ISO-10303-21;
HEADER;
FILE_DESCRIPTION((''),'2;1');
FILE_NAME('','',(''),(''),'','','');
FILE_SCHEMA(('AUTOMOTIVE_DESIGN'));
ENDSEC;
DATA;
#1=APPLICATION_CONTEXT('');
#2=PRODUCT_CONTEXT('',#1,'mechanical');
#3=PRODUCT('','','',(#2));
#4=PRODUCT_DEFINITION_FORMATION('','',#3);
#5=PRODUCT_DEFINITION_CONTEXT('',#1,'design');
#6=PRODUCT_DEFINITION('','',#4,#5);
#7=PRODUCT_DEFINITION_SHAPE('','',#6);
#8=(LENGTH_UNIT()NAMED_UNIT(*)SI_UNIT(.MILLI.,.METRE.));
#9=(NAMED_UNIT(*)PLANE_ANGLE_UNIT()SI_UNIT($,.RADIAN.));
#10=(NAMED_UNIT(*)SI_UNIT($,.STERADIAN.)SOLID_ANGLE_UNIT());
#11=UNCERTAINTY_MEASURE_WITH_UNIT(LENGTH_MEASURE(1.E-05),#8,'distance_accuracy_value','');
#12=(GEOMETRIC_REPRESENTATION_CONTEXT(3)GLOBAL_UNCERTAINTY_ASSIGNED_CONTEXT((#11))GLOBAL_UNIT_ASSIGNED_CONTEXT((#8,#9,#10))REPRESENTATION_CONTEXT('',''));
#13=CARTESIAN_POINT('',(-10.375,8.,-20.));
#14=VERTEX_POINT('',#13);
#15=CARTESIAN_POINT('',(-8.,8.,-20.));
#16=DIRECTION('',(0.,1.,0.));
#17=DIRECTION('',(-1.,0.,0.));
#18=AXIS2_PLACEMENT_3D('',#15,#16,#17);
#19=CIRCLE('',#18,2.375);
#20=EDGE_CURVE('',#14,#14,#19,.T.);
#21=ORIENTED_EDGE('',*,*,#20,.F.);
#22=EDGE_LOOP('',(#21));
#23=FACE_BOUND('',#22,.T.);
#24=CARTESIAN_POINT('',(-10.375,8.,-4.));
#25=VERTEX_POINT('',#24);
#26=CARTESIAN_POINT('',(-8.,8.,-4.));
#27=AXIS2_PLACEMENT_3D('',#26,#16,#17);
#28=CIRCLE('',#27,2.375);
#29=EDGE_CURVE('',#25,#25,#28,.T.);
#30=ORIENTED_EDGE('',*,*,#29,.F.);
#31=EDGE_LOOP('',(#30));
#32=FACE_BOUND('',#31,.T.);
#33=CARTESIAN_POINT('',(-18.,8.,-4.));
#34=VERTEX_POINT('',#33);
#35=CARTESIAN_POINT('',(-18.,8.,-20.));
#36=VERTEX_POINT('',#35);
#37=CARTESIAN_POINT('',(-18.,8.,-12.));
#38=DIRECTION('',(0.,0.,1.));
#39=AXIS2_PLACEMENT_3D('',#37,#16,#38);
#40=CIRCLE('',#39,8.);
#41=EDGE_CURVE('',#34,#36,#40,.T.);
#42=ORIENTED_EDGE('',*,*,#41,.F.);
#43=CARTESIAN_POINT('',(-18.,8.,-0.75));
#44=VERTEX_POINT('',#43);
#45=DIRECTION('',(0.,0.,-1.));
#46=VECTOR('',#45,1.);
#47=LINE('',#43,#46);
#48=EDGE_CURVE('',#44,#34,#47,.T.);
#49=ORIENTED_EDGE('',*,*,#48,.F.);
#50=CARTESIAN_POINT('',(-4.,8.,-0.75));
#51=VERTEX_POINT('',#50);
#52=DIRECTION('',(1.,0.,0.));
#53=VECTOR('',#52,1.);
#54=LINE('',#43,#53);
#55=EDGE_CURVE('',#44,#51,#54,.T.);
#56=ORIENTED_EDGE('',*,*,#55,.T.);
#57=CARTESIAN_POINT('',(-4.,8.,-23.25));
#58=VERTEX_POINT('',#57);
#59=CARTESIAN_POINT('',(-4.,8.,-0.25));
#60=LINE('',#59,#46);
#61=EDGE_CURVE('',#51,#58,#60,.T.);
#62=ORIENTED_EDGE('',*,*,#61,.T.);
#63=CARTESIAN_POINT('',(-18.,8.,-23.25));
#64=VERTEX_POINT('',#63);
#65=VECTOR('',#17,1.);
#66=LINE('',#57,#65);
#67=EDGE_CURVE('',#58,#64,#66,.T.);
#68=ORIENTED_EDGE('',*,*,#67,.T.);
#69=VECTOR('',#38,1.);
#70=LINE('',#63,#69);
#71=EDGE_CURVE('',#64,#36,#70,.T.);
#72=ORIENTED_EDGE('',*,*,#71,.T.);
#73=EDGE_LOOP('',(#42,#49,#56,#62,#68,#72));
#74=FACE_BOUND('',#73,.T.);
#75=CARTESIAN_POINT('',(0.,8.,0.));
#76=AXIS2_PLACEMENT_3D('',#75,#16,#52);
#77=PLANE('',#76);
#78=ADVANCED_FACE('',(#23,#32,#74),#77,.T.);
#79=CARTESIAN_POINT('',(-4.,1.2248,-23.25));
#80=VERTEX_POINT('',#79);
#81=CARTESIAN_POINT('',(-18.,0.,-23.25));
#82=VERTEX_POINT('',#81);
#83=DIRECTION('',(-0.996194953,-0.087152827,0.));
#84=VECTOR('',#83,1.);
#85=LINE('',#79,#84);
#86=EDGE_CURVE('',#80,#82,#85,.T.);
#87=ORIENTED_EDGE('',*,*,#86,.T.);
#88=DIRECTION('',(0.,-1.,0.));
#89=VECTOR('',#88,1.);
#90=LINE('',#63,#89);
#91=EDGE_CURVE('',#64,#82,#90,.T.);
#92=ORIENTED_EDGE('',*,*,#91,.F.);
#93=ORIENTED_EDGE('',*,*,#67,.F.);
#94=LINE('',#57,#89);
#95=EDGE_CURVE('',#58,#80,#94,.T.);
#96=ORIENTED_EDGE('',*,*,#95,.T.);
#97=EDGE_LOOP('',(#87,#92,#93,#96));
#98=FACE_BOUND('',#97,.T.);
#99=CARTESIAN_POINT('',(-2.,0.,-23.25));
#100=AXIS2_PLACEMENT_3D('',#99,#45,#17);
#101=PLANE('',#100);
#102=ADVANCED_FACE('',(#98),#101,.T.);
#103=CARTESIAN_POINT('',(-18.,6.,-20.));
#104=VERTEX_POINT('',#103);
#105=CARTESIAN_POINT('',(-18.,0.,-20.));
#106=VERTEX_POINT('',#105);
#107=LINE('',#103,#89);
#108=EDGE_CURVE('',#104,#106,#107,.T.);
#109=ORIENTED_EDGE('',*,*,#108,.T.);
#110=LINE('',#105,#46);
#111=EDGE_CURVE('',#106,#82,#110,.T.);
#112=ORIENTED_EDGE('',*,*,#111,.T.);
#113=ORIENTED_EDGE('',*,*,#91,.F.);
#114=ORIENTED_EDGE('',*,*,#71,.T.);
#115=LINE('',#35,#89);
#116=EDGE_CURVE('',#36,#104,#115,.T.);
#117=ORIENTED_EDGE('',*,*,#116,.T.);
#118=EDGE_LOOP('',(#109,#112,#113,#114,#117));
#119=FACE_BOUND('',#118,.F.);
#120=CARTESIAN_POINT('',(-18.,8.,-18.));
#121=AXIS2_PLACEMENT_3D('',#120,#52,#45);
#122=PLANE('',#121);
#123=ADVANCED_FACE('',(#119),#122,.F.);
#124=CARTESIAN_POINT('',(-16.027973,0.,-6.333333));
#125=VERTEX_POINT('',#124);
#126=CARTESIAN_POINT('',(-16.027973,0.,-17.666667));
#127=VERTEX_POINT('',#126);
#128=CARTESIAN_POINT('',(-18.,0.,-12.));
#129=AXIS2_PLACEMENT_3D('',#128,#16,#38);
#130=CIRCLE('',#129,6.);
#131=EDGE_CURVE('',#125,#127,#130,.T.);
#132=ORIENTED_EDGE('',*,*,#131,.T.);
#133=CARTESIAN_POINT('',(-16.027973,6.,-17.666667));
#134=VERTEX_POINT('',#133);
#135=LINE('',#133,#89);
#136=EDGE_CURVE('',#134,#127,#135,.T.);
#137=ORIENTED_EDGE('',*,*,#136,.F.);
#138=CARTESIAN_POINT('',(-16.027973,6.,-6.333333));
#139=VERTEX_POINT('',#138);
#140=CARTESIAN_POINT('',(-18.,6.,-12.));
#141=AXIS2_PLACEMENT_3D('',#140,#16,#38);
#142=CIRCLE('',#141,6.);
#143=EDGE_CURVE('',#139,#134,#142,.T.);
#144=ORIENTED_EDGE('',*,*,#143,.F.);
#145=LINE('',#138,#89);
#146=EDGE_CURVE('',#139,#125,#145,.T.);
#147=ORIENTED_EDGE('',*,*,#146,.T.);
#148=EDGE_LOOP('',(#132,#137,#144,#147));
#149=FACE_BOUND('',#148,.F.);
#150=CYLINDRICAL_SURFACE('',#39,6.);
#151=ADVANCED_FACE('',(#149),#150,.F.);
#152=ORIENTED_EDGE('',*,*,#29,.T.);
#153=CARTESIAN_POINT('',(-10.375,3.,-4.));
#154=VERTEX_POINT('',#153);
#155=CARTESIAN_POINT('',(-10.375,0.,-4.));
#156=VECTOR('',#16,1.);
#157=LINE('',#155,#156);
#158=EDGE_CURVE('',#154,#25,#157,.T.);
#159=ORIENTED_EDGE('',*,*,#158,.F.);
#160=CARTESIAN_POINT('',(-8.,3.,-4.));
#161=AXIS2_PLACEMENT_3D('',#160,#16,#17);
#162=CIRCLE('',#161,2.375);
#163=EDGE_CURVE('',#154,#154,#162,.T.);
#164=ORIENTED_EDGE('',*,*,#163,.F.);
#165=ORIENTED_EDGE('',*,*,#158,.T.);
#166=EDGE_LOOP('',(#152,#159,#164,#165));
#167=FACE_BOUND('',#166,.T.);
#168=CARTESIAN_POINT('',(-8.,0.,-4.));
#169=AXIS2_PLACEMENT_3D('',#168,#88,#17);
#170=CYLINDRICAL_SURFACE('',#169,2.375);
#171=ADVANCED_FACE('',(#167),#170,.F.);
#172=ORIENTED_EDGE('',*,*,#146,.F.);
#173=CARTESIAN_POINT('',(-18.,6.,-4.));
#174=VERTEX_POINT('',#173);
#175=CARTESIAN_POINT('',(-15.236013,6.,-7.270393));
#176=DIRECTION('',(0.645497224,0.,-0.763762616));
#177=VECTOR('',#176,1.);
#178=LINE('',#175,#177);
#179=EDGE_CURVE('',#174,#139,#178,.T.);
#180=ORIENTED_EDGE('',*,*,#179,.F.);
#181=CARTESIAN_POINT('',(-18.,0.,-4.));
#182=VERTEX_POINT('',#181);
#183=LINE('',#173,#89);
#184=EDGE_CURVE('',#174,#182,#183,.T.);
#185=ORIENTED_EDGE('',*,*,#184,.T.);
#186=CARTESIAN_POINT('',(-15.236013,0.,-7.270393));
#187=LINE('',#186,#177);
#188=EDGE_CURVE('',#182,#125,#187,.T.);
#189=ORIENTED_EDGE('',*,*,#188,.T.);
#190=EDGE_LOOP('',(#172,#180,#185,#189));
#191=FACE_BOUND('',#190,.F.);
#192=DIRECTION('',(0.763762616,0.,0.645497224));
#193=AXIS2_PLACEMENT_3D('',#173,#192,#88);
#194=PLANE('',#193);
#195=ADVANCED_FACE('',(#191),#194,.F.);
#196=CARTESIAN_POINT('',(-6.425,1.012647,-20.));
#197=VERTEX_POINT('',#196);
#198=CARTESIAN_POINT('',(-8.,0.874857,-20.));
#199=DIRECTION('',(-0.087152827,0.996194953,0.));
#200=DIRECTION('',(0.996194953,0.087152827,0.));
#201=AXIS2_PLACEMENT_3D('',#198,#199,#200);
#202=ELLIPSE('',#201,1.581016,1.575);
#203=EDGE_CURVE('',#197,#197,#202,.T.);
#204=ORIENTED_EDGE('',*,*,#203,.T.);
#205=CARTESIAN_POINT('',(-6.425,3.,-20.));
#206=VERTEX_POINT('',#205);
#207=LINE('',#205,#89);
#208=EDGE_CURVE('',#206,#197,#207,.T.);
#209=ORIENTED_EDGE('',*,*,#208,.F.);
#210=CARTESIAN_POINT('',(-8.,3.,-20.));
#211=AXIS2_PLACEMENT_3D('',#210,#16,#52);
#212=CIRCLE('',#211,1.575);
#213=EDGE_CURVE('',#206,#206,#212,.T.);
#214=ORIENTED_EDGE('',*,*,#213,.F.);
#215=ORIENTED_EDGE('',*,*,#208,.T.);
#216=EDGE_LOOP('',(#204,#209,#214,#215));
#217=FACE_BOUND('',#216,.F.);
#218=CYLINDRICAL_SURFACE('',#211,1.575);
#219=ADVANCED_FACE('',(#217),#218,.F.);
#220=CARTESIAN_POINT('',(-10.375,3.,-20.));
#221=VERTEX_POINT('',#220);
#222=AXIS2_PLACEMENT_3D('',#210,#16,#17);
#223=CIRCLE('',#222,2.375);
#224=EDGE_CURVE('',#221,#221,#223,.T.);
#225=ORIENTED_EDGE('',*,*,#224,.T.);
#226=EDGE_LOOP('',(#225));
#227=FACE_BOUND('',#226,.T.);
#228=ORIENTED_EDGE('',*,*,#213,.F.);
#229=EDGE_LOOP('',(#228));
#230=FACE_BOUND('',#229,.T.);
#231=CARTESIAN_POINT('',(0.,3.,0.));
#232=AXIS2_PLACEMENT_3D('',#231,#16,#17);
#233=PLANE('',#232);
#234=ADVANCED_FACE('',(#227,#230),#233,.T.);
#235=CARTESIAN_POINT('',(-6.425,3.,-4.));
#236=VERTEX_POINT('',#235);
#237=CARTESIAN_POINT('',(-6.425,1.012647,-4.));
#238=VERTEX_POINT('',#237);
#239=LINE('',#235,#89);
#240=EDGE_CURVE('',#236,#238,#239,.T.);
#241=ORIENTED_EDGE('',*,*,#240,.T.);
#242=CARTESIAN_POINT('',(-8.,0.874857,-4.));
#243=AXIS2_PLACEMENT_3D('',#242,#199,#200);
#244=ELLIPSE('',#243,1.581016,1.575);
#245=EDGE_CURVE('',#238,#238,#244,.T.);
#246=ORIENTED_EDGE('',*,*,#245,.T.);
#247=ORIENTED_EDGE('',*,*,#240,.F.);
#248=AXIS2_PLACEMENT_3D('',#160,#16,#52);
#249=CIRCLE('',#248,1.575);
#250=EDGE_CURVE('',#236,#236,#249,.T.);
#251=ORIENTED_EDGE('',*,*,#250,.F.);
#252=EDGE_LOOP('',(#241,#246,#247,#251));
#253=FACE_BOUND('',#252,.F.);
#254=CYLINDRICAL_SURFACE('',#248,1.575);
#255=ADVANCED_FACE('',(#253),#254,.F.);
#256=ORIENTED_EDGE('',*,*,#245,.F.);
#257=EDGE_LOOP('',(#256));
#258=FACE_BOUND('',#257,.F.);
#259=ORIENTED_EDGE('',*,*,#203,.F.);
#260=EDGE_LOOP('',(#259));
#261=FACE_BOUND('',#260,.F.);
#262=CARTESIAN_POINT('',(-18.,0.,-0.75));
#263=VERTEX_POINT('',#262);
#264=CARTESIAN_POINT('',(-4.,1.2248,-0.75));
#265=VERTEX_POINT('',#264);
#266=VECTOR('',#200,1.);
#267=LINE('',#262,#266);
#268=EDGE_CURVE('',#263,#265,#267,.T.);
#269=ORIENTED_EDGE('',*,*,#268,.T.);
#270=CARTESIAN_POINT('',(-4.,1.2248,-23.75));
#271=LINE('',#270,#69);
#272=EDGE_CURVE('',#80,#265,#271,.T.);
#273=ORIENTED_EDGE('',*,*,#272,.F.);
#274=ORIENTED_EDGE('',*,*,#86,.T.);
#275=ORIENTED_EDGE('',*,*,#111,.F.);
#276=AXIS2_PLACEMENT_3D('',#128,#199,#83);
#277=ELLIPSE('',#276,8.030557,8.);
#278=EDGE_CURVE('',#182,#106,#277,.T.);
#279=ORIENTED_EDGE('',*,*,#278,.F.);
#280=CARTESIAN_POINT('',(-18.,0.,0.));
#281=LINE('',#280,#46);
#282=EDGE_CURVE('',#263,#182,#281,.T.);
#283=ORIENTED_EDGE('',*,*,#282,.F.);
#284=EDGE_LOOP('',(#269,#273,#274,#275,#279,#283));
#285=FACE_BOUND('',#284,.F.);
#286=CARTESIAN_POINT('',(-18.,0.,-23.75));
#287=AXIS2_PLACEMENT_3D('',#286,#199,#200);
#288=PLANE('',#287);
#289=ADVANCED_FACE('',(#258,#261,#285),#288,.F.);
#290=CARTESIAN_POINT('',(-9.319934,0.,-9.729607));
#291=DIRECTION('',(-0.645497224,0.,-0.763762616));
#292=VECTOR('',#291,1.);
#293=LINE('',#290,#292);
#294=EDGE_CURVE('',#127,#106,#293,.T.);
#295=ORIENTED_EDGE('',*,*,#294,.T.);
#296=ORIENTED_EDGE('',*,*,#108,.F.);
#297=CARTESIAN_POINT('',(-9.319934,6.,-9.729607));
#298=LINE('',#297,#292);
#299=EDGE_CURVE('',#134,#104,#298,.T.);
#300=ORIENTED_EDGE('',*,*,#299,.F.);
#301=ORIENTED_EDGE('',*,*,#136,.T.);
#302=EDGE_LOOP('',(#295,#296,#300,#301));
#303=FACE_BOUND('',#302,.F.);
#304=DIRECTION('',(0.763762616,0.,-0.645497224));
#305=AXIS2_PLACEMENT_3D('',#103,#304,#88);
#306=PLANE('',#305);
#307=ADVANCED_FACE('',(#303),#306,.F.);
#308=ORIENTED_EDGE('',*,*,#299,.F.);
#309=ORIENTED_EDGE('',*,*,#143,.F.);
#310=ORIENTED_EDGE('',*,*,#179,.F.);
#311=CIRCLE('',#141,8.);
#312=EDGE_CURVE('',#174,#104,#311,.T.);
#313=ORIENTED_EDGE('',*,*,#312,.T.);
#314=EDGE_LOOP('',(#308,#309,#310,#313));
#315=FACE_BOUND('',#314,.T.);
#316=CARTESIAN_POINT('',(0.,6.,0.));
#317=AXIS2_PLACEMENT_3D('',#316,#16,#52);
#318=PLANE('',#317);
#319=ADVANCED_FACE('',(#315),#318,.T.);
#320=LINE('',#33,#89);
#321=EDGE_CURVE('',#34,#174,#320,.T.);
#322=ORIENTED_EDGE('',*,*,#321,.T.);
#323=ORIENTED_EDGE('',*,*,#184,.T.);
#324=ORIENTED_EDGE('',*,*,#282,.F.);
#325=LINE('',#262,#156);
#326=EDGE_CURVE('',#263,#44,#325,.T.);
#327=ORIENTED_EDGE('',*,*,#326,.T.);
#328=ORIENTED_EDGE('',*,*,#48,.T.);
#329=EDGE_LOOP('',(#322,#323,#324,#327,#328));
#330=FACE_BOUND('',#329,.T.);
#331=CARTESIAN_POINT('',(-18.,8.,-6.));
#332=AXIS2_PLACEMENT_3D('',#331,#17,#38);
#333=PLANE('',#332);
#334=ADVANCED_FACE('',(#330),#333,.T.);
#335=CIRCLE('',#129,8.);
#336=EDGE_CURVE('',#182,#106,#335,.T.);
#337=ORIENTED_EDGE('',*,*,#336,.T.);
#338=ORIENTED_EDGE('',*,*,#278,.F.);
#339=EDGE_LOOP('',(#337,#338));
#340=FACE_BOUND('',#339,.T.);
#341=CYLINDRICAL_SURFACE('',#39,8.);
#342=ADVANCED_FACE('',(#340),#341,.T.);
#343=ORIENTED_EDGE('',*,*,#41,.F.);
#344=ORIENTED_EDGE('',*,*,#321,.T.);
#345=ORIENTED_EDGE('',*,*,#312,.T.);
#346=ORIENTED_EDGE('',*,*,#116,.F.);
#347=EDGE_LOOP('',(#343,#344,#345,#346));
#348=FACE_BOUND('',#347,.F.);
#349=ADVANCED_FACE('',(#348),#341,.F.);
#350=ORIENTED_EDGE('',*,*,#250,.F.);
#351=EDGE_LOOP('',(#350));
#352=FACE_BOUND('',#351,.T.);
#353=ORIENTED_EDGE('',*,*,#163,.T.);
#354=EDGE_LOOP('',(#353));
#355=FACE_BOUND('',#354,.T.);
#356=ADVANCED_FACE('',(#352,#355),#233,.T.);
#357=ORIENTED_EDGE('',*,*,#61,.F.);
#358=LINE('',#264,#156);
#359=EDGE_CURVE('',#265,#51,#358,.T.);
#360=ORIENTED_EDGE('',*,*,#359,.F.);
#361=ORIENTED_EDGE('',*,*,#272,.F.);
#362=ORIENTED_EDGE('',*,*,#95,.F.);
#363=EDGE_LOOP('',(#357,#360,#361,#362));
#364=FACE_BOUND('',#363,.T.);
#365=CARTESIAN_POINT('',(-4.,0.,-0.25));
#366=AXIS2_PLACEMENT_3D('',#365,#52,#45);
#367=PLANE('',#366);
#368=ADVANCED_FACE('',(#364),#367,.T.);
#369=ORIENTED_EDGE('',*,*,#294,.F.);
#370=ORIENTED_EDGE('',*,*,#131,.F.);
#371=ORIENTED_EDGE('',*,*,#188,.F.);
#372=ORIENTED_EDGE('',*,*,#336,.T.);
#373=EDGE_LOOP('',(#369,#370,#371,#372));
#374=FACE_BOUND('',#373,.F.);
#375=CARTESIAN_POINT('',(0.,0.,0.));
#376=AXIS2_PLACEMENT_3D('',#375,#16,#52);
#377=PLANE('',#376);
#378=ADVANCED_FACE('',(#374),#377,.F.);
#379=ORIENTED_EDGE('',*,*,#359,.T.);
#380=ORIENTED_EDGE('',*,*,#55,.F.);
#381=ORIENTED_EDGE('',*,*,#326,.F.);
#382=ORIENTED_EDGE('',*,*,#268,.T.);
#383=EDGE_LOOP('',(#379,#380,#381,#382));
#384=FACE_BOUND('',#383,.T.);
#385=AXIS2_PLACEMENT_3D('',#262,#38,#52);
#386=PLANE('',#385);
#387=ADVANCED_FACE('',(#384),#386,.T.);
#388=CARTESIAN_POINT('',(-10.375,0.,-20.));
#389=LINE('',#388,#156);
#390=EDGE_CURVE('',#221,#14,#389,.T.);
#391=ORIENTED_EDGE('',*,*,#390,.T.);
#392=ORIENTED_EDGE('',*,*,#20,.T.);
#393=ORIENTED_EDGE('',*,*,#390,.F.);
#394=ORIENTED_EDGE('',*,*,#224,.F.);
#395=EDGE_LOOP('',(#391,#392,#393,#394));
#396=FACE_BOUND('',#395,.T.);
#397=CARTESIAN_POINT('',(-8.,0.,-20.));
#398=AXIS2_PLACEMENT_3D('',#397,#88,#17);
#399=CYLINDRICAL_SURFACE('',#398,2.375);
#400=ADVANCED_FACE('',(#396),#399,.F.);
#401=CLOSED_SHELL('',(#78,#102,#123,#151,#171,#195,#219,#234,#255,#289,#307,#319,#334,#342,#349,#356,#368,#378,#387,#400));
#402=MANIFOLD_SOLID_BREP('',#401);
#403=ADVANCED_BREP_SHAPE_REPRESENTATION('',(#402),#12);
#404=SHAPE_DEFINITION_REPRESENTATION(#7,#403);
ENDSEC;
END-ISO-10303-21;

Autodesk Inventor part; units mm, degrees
ref_plane "YZ Plane" through (0, 0, 0) normal (1, 0, 0) x (0, 1, 0)
ref_plane "XZ Plane" through (0, 0, 0) normal (0, 1, 0) x (-1, 0, 0)
ref_plane "XY Plane" through (0, 0, 0) normal (0, 0, 1) x (1, 0, 0)
sketch "Sketch1" plane through (0, 0, 0) normal (0, 1, 0) x (-1, 0, 0)
  arc A0 (6, -2.425) -> (6, -5.575) centre (6, -4) ccw construction
  line L0 (6, -2.425) -> (8, -2.425) construction
  arc A1 (8, -5.575) -> (8, -2.425) centre (8, -4) ccw construction
  line L1 (8, -5.575) -> (6, -5.575) construction
  arc A2 (6, -18.425) -> (6, -21.575) centre (6, -20) ccw construction
  line L2 (6, -18.425) -> (8, -18.425) construction
  arc A3 (8, -21.575) -> (8, -18.425) centre (8, -20) ccw construction
  line L3 (8, -21.575) -> (6, -21.575) construction
  line L4 (18, 0) -> (18, -4)
  line L5 (2, 0) -> (18, 0)
  line L6 (2, -24) -> (2, 0)
  line L7 (18, -24) -> (2, -24)
  line L8 (18, -20) -> (18, -24)
  arc A4 (18, -6) -> (18, -18) centre (18, -12) ccw
  line L9 (18, -6) -> (18, -4)
  line L10 (18, -20) -> (18, -18)
  arc A5 (18, -4) -> (18, -20) centre (18, -12) ccw
  circle A6 centre (8, -20) radius 2.375
  circle A7 centre (8, -4) radius 2.375
  point P0 (0, 0)
  point P1 (0, 0)
  dimension "d0" = 16
  dimension "d2" = 8
  dimension "d4" = 6
  dimension "d5" = 1.575
  dimension "d6" = 2
  dimension "d7" = 1.575
  dimension "d8" = 2
  dimension "d11" = 4.75
  dimension "d12" = 4.75
extrude "Extrusion1" add sketch "Sketch1" along normal blind 8 contours L4 A5 L8 L7 L6 L5
extrude "Extrusion3" add sketch "Sketch1" along normal blind 3 contours A6 | A7
sketch "Sketch2" plane through (-8, 3, -4) normal (0, 1, 0) x (1, 0, 0)
  circle A0 centre (0, 0) radius 2.375 projected
  circle A1 centre (0, 16) radius 2.375 projected
  circle A2 centre (0, 0) radius 2.375 projected
  circle A3 centre (0, 0) radius 1.575
  circle A4 centre (0, 16) radius 1.575
  point P0 (8, -4)
  dimension "d19" = 3.15
  dimension "d20" = 3.15
extrude "Extrusion4" cut sketch "Sketch2" against normal through all contours A3 | A4
extrude "Extrusion2" [suppressed]
sketch "Sketch3" plane through (-18, 0, 0) normal (0, 0, 1) x (1, 0, 0)
  line L0 (0, 0) -> (16, 0) projected
  line L1 (16, 0) -> (16, 8) projected
  line L2 (0, 8) -> (16, 8) projected
  line L3 (0, 0) -> (0, 8) projected
  line L4 (8.425, 3) -> (8.425, 0) projected
  line L5 (16, 0) -> (0, 0) projected
  line L6 (0, 0) -> (0, 8) projected
  line L7 (16, 8) -> (0, 8) projected
  line L8 (16, 0) -> (16, 8) projected
  point P0 (18, 0)
sketch "Sketch4" plane through (-2, 0, -24) normal (0, 0, -1) x (-1, 0, 0)
  line L0 (0, 0) -> (16, 0) projected
  line L1 (16, 0) -> (16, 8) projected
  line L2 (0, 8) -> (16, 8) projected
  line L3 (0, 0) -> (0, 8) projected
  point P0 (-2, 0)
extrude "Extrusion6" cut sketch "Sketch3" against normal blind 0.25
extrude "Extrusion7" cut sketch "Sketch4" against normal blind 0.25
sketch "Sketch5" plane through (-2, 0, -0.25) normal (1, 0, 0) x (0, 0, -1)
  line L0 (23.5, 0) -> (23.5, 8) projected
  line L1 (0, 8) -> (23.5, 8) projected
  line L2 (0, 8) -> (0, 0) projected
  line L3 (0, 0) -> (23.5, 0) projected
  point P0 (-0.25, 0)
extrude "Extrusion8" cut sketch "Sketch5" against normal blind 2
chamfer "Chamfer1" [suppressed]
chamfer "Chamfer2" [suppressed]
sketch "Sketch11" plane through (-2, 0, -23.75) normal (0, 0, -1) x (-1, 0, 0)
  line L0 (2, 8) -> (2, 0) projected
  line L1 (16, 0) -> (2, 0) projected
  line L2 (16, 8) -> (16, 0) projected
  line L3 (2, 8) -> (16, 8) projected
  line L4 (2, 0) -> (16, 0) projected
  line L5 (16, 0) -> (2, 1.2248)
  line L6 (2, 0) -> (2, 8) projected
  line L7 (16, 0) -> (30.0535, 0) construction
  point P0 (-2, 0)
  dimension "d46" = 175
extrude "Extrusion11" cut sketch "Sketch11" against normal through all contours L5 L1 L0
sketch "Sketch12" plane through (-2, 0, -23.75) normal (0, 0, -1) x (-1, 0, 0)
  line L0 (2, 1.2248) -> (16, 0) projected
  line L1 (16, 8) -> (16, 0) projected
  line L2 (2, 8) -> (16, 8) projected
  line L3 (2, 8) -> (2, 1.2248) projected
  line L4 (16, 0) -> (2, 1.2248) projected
  line L5 (2, 1.2248) -> (2, 8) projected
  line L6 (16, 8) -> (2, 8) projected
  line L7 (16, 0) -> (16, 8) projected
  point P0 (-2, 0)
extrude "Extrusion12" cut sketch "Sketch12" against normal blind 0.5
sketch "Sketch13" plane through (-18, 0, -0.25) normal (0, 0, 1) x (1, 0, 0)
  line L0 (0, 0) -> (14, 1.2248) projected
  line L1 (14, 1.2248) -> (14, 8) projected
  line L2 (0, 8) -> (14, 8) projected
  line L3 (0, 0) -> (0, 8) projected
  point P0 (18, 0)
extrude "Extrusion13" cut sketch "Sketch13" against normal blind 0.5
sketch "Sketch15" plane through (0, 8, 0) normal (0, 1, 0) x (1, 0, 0)
  arc A0 (-18, 4) -> (-18, 20) centre (-18, 12) ccw projected
  arc A1 (-18, 6) -> (-18, 18) centre (-18, 12) ccw
  line L0 (-18, 18) -> (-18, 20)
  line L1 (-18, 4) -> (-18, 0.75) projected
  line L2 (-18, 6) -> (-18, 4)
  point P0 (0, 0)
  dimension "d53" = 12
extrude "Extrusion14" add sketch "Sketch15" against normal blind 8
sketch "Sketch16" plane through (0, 8, 0) normal (0, 1, 0) x (1, 0, 0)
  arc A0 (-18, 4) -> (-18, 20) centre (-18, 12) ccw projected
  arc A1 (-18, 6) -> (-18, 18) centre (-18, 12) ccw projected
  line L0 (-18, 0.75) -> (-18, 6) projected
  line L1 (-18, 23.25) -> (-18, 18) projected
  point P0 (0, 0)
extrude "Extrusion15" cut sketch "Sketch16" against normal blind 2
chamfer "Chamfer3" distance 2 angle 45 2 edges at (-18, 3, -6) (-18, 3, -18)
equation "\"d12\" = d11"
properties part number "hotend_holder_clamp" material "ABS Plastic"
